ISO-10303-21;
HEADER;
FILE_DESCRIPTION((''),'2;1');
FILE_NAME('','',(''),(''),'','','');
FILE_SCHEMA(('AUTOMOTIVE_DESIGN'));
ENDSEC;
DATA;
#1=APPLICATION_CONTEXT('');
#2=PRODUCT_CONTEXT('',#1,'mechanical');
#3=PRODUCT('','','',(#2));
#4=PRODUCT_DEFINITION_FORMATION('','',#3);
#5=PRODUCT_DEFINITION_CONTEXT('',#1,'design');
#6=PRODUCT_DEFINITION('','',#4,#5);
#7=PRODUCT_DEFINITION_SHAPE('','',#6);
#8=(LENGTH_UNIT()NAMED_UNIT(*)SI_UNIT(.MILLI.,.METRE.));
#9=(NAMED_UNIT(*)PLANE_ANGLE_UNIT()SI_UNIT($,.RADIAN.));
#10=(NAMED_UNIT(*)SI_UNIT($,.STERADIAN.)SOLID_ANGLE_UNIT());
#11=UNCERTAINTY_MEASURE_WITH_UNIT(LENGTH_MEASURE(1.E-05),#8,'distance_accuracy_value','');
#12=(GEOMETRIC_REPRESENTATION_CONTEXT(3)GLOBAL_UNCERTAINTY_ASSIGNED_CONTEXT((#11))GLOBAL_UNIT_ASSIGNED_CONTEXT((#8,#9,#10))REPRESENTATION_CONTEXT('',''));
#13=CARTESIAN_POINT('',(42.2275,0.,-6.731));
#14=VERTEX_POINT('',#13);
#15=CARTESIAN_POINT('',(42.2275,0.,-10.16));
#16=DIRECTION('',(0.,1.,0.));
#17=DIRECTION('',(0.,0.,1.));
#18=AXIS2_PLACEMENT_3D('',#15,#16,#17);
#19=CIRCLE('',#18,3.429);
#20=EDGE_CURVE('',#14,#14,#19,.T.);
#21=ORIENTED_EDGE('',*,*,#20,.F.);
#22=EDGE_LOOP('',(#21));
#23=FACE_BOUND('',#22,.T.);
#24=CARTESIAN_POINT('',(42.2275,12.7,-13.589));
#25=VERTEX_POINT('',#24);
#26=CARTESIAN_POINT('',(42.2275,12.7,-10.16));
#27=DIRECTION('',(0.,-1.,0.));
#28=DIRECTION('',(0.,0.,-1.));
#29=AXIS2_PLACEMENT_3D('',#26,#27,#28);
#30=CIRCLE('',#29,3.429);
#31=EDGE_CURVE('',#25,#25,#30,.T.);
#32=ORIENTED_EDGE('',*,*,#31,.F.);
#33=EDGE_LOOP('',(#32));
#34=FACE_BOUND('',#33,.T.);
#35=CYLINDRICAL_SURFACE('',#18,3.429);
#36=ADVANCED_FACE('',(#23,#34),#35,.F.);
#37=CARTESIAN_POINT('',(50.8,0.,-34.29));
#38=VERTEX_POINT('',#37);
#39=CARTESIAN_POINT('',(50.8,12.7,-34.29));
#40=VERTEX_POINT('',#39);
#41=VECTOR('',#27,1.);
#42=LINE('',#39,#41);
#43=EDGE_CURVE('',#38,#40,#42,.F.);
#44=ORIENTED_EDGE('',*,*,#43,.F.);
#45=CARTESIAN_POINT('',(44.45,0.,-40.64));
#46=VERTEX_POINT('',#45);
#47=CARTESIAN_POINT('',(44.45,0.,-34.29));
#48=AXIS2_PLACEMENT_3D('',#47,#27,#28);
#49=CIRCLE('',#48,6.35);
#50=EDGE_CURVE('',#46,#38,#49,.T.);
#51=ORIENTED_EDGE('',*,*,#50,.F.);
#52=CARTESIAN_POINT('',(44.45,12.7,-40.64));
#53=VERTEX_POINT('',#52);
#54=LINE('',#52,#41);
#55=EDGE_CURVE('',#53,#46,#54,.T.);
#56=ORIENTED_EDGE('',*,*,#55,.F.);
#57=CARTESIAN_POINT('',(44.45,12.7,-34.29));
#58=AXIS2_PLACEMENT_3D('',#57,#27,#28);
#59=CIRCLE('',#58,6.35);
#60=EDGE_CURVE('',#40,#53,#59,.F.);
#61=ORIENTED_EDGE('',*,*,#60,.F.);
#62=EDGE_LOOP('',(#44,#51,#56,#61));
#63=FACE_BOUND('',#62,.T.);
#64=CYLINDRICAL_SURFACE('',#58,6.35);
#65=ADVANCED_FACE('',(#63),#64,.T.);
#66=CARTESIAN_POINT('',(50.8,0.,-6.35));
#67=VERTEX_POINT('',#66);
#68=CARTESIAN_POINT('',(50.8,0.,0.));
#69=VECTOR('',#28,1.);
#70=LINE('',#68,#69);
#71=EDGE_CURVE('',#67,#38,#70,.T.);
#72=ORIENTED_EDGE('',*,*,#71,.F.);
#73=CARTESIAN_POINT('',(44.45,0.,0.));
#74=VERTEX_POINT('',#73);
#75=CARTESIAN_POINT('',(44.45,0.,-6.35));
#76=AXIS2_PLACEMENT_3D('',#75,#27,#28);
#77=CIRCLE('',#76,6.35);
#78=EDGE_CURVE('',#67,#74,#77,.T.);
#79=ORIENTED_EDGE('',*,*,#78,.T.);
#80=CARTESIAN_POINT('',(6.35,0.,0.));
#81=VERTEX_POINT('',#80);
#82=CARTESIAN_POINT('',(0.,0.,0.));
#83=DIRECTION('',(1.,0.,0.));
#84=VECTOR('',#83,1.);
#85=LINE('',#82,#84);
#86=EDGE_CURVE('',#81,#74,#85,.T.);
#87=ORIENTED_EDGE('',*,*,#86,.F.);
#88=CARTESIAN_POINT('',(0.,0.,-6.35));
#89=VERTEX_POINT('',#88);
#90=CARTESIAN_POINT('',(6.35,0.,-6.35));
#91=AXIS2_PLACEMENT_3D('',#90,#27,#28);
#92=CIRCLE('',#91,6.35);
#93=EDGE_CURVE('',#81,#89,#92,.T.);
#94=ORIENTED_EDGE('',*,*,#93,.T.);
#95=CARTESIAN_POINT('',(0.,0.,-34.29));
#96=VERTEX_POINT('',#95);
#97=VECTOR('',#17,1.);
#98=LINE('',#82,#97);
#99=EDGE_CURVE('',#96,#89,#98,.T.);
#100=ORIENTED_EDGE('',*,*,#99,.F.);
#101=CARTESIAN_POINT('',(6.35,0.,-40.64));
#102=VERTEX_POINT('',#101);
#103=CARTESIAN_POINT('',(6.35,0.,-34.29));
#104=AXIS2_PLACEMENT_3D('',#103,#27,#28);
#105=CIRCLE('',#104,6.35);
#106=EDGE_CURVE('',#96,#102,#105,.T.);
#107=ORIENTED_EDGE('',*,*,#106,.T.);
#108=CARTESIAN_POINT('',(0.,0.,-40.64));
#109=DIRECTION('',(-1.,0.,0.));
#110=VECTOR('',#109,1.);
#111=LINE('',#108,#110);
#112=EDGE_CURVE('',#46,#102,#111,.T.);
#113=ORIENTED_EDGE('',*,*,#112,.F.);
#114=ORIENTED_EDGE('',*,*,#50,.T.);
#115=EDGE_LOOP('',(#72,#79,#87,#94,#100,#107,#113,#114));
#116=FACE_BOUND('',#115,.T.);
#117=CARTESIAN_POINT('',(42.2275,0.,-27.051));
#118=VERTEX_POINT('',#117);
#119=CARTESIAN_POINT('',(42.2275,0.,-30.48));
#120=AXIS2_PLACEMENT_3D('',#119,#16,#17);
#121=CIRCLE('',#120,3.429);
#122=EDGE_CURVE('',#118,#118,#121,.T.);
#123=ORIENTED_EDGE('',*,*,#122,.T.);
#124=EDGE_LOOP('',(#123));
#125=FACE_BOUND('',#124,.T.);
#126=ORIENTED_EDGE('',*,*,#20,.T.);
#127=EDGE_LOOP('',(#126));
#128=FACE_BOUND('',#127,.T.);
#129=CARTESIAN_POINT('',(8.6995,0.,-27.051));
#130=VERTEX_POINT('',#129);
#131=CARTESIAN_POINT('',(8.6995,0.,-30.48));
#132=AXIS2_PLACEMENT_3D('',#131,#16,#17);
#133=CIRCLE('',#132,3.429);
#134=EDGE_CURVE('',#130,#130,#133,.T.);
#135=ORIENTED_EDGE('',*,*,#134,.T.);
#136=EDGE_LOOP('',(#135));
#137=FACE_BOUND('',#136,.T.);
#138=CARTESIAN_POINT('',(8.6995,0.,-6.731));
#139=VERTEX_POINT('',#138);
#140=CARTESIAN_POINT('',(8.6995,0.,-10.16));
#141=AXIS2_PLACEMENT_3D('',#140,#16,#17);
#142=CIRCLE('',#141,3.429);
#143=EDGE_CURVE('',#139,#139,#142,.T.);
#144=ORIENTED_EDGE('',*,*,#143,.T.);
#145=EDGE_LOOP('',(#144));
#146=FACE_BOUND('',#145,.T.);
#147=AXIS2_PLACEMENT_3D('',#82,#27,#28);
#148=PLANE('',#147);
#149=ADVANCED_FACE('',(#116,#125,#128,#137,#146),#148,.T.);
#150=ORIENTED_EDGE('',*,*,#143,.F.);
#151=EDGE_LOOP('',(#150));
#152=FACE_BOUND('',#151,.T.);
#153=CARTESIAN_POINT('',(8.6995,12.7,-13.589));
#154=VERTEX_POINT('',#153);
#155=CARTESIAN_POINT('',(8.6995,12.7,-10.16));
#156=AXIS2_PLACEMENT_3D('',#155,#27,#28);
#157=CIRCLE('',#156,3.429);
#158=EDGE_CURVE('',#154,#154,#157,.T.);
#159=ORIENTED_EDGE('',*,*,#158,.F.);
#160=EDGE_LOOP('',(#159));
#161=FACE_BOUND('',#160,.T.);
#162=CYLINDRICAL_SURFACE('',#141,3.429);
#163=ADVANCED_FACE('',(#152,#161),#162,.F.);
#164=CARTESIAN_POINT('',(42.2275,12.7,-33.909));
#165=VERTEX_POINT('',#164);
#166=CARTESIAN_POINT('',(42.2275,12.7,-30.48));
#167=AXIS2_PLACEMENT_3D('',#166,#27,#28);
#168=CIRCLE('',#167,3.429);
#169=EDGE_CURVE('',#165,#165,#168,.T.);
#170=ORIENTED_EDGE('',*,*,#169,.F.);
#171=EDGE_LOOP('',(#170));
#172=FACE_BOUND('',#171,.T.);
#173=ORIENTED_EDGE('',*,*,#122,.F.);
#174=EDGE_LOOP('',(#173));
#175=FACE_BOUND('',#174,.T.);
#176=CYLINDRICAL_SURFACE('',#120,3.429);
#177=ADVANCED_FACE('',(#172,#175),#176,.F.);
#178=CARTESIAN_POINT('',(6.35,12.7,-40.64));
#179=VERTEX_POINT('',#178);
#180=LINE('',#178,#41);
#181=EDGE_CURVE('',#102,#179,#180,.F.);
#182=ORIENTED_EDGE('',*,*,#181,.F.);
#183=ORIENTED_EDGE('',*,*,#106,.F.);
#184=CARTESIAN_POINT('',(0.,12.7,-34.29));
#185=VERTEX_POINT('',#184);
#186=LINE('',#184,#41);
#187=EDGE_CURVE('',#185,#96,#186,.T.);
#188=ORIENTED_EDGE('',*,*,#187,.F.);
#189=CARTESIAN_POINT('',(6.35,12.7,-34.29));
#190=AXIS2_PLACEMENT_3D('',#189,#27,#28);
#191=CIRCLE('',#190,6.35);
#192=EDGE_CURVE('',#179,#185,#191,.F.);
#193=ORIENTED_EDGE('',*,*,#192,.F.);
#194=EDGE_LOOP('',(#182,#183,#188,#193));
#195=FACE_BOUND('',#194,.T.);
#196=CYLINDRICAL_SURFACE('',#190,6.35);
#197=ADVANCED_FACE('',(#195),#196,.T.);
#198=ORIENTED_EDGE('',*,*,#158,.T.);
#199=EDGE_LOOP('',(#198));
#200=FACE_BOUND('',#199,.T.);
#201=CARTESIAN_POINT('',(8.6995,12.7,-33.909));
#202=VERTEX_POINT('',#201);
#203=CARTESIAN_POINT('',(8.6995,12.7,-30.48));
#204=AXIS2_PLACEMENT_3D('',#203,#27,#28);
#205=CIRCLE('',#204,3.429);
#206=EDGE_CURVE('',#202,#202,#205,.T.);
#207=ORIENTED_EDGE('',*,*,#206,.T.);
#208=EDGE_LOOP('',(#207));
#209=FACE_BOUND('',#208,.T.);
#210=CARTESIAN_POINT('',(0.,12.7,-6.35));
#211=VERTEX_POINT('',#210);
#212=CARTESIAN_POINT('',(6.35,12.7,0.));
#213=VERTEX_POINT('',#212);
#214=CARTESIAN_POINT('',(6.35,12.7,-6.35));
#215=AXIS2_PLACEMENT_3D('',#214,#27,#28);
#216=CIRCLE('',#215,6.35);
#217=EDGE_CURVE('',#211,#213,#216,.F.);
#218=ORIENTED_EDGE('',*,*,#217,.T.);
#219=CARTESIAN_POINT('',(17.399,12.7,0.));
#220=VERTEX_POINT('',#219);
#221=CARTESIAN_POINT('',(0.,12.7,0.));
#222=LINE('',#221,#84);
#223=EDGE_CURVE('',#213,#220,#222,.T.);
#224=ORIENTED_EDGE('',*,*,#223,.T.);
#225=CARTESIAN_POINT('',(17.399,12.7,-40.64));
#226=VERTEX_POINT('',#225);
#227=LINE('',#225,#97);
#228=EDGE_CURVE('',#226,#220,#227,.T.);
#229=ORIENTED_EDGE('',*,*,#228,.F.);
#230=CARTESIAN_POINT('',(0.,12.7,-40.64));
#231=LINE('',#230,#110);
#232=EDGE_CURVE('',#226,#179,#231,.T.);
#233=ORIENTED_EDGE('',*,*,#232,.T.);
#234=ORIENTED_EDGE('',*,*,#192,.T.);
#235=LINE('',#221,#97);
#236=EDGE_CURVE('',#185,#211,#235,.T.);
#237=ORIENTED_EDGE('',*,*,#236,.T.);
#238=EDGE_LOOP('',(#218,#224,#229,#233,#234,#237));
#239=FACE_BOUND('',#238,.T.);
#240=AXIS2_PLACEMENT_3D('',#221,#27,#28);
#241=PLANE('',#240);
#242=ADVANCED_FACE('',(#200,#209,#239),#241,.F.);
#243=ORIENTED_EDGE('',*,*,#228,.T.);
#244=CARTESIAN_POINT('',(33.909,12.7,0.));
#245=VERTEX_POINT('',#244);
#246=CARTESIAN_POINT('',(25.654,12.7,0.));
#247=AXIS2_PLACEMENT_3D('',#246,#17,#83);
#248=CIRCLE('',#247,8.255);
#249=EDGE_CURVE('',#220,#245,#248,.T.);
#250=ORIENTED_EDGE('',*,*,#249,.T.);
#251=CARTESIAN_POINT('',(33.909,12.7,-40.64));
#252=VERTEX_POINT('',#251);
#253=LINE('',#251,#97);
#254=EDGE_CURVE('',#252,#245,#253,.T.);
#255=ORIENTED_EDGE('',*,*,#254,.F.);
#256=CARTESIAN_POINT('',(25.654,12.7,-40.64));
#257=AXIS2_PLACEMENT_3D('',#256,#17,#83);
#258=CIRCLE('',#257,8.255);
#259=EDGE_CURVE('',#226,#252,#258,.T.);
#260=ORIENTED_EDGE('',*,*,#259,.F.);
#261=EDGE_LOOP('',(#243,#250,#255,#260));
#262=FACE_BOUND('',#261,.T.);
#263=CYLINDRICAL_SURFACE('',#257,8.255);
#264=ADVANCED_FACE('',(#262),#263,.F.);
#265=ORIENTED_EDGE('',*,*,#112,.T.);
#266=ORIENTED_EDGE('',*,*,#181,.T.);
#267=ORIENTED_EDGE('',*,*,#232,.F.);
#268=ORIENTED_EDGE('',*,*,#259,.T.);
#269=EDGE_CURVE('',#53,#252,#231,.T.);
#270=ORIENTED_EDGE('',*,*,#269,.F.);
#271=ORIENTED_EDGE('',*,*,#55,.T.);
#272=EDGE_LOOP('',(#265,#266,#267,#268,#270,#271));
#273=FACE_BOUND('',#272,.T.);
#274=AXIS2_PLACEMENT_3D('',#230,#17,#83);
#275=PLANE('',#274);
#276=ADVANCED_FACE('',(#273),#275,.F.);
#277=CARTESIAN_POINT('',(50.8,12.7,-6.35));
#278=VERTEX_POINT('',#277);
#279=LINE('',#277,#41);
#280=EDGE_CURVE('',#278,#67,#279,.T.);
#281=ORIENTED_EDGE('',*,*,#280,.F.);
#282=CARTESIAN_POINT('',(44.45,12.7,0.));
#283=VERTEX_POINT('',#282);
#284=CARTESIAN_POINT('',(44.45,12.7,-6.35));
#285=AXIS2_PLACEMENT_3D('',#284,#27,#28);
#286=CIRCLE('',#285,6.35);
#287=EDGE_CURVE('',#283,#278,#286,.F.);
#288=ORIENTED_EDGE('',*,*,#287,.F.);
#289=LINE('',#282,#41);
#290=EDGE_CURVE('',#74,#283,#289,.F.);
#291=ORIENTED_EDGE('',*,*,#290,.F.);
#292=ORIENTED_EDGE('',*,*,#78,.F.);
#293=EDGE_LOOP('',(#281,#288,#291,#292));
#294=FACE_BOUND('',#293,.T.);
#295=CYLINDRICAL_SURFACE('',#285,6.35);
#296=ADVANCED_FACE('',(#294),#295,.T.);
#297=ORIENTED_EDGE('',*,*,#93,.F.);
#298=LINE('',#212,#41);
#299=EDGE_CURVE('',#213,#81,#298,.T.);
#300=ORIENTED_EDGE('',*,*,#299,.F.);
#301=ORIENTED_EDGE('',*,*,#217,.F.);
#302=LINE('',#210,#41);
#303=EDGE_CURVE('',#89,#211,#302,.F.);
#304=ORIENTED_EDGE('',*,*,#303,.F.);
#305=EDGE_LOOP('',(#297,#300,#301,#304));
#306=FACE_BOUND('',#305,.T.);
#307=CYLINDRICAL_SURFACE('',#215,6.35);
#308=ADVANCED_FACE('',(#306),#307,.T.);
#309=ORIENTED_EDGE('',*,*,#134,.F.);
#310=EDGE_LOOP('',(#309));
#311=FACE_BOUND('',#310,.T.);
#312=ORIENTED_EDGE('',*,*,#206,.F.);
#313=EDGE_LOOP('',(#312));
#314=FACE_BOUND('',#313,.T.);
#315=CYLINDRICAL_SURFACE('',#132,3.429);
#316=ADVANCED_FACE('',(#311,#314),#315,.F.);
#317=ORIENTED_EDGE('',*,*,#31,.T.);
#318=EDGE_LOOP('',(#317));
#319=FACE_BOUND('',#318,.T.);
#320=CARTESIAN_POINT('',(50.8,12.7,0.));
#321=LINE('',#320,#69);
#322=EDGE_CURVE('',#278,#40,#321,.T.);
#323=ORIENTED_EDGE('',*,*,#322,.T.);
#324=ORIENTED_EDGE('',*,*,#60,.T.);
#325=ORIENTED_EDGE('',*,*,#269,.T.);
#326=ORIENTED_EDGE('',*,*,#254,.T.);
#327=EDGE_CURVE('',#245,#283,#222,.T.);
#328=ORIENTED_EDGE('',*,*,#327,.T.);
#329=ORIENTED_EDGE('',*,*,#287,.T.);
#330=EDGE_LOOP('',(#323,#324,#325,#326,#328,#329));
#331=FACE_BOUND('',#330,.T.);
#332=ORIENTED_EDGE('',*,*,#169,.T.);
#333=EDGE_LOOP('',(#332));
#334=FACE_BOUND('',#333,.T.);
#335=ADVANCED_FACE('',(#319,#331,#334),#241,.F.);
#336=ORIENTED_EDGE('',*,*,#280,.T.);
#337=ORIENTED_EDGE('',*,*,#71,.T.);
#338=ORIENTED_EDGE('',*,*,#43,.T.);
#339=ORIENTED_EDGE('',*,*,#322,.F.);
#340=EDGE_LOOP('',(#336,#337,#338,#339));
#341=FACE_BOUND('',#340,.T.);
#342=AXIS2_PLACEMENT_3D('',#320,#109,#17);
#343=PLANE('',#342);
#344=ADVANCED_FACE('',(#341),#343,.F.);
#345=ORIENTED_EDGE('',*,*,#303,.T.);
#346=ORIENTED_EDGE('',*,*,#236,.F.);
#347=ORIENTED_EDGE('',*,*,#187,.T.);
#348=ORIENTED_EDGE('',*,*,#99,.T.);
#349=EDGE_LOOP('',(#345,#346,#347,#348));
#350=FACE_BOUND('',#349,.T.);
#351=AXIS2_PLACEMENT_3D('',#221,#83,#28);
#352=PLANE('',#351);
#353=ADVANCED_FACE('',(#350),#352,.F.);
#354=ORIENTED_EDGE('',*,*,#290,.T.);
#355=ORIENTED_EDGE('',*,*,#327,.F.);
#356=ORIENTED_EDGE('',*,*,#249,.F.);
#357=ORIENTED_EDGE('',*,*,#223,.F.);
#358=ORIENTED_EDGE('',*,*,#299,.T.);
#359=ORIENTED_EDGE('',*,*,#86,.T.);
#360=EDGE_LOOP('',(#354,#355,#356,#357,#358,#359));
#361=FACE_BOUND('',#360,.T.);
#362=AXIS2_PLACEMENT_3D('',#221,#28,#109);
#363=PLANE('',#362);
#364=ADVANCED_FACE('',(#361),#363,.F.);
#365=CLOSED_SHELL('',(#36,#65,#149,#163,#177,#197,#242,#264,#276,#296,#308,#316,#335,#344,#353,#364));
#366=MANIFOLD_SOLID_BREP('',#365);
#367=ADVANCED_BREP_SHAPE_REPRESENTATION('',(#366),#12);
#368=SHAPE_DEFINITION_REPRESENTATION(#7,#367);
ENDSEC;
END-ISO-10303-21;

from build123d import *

# Parameters (mm, degrees)
SKETCH1_W               = 50.8
SKETCH1_H               = 40.64
BOSS_EXTRUDE1_DEPTH     = 12.7
CUT_EXTRUDE1_DEPTH      = 67.283780822
CUT_EXTRUDE1_DEPTH_BACK = 67.283780822
CUT_EXTRUDE2_DEPTH      = 67.283780822
CUT_EXTRUDE2_DEPTH_BACK = 67.283780822
SKETCH3_R               = 3.429
FILLET1_R               = 6.35


with BuildPart() as part:
    # Sketch1 → Boss-Extrude1 (new body)
    with BuildSketch(Plane(origin=(0, 0, 0), x_dir=(1, 0, 0), z_dir=(0, 1, 0))):
        with Locations((25.4, 20.32)):
            Rectangle(SKETCH1_W, SKETCH1_H)
    extrude(amount=BOSS_EXTRUDE1_DEPTH)

    # Sketch2 → Cut-Extrude1 (cut, two sides: drawn at the far end of the back side and taken through both)
    with BuildSketch(Plane.XY.offset(-CUT_EXTRUDE1_DEPTH_BACK)):
        with BuildLine():
            Line((33.909, 12.7), (25.4, 12.7))
            Line((25.4, 12.7), (25.4, 4.448908618))
            ThreePointArc((25.4, 4.448908618), (31.400662292, 6.773711322), (33.909, 12.7))
        make_face()
        with BuildLine():
            Line((25.4, 4.448908618), (25.4, 12.7))
            Line((25.4, 12.7), (17.399, 12.7))
            ThreePointArc((17.399, 12.7), (19.727711322, 6.953337708), (25.4, 4.448908618))
        make_face()
        with BuildLine():
            Line((33.909, 12.7), (25.4, 12.7))
            Line((25.4, 12.7), (25.4, 4.448908618))
            ThreePointArc((25.4, 4.448908618), (31.400662292, 6.773711322), (33.909, 12.7))
        make_face()
        with BuildLine():
            Line((25.4, 4.448908618), (25.4, 12.7))
            Line((25.4, 12.7), (17.399, 12.7))
            ThreePointArc((17.399, 12.7), (19.727711322, 6.953337708), (25.4, 4.448908618))
        make_face()
    extrude(amount=CUT_EXTRUDE1_DEPTH + CUT_EXTRUDE1_DEPTH_BACK, mode=Mode.SUBTRACT)

    # Sketch3 → Cut-Extrude2 (cut, two sides: drawn at the far end of the back side and taken through both)
    with BuildSketch(Plane(origin=(0, 12.7, 0), x_dir=(1, 0, 0), z_dir=(0, 1, 0)).offset(-CUT_EXTRUDE2_DEPTH_BACK)):
        with Locations(Location((8.6995, 10.16, 0), (0, 0, 270))):
            Circle(SKETCH3_R)
        with Locations(Location((42.2275, 10.16, 0), (0, 0, 270))):
            Circle(SKETCH3_R)
        with Locations(Location((42.2275, 30.48, 0), (0, 0, 270))):
            Circle(SKETCH3_R)
        with Locations(Location((8.6995, 30.48, 0), (0, 0, 270))):
            Circle(SKETCH3_R)
    extrude(amount=CUT_EXTRUDE2_DEPTH + CUT_EXTRUDE2_DEPTH_BACK, mode=Mode.SUBTRACT)

    # Fillet1
    fillet1_edges = [part.edges().sort_by_distance(p)[0] for p in [
        (0, 6.35, -40.64),
        (50.8, 6.35, -40.64),
        (50.8, 6.35, 0),
        (0, 6.35, 0),
    ]]
    fillet(fillet1_edges, radius=FILLET1_R)


solid = part.part
